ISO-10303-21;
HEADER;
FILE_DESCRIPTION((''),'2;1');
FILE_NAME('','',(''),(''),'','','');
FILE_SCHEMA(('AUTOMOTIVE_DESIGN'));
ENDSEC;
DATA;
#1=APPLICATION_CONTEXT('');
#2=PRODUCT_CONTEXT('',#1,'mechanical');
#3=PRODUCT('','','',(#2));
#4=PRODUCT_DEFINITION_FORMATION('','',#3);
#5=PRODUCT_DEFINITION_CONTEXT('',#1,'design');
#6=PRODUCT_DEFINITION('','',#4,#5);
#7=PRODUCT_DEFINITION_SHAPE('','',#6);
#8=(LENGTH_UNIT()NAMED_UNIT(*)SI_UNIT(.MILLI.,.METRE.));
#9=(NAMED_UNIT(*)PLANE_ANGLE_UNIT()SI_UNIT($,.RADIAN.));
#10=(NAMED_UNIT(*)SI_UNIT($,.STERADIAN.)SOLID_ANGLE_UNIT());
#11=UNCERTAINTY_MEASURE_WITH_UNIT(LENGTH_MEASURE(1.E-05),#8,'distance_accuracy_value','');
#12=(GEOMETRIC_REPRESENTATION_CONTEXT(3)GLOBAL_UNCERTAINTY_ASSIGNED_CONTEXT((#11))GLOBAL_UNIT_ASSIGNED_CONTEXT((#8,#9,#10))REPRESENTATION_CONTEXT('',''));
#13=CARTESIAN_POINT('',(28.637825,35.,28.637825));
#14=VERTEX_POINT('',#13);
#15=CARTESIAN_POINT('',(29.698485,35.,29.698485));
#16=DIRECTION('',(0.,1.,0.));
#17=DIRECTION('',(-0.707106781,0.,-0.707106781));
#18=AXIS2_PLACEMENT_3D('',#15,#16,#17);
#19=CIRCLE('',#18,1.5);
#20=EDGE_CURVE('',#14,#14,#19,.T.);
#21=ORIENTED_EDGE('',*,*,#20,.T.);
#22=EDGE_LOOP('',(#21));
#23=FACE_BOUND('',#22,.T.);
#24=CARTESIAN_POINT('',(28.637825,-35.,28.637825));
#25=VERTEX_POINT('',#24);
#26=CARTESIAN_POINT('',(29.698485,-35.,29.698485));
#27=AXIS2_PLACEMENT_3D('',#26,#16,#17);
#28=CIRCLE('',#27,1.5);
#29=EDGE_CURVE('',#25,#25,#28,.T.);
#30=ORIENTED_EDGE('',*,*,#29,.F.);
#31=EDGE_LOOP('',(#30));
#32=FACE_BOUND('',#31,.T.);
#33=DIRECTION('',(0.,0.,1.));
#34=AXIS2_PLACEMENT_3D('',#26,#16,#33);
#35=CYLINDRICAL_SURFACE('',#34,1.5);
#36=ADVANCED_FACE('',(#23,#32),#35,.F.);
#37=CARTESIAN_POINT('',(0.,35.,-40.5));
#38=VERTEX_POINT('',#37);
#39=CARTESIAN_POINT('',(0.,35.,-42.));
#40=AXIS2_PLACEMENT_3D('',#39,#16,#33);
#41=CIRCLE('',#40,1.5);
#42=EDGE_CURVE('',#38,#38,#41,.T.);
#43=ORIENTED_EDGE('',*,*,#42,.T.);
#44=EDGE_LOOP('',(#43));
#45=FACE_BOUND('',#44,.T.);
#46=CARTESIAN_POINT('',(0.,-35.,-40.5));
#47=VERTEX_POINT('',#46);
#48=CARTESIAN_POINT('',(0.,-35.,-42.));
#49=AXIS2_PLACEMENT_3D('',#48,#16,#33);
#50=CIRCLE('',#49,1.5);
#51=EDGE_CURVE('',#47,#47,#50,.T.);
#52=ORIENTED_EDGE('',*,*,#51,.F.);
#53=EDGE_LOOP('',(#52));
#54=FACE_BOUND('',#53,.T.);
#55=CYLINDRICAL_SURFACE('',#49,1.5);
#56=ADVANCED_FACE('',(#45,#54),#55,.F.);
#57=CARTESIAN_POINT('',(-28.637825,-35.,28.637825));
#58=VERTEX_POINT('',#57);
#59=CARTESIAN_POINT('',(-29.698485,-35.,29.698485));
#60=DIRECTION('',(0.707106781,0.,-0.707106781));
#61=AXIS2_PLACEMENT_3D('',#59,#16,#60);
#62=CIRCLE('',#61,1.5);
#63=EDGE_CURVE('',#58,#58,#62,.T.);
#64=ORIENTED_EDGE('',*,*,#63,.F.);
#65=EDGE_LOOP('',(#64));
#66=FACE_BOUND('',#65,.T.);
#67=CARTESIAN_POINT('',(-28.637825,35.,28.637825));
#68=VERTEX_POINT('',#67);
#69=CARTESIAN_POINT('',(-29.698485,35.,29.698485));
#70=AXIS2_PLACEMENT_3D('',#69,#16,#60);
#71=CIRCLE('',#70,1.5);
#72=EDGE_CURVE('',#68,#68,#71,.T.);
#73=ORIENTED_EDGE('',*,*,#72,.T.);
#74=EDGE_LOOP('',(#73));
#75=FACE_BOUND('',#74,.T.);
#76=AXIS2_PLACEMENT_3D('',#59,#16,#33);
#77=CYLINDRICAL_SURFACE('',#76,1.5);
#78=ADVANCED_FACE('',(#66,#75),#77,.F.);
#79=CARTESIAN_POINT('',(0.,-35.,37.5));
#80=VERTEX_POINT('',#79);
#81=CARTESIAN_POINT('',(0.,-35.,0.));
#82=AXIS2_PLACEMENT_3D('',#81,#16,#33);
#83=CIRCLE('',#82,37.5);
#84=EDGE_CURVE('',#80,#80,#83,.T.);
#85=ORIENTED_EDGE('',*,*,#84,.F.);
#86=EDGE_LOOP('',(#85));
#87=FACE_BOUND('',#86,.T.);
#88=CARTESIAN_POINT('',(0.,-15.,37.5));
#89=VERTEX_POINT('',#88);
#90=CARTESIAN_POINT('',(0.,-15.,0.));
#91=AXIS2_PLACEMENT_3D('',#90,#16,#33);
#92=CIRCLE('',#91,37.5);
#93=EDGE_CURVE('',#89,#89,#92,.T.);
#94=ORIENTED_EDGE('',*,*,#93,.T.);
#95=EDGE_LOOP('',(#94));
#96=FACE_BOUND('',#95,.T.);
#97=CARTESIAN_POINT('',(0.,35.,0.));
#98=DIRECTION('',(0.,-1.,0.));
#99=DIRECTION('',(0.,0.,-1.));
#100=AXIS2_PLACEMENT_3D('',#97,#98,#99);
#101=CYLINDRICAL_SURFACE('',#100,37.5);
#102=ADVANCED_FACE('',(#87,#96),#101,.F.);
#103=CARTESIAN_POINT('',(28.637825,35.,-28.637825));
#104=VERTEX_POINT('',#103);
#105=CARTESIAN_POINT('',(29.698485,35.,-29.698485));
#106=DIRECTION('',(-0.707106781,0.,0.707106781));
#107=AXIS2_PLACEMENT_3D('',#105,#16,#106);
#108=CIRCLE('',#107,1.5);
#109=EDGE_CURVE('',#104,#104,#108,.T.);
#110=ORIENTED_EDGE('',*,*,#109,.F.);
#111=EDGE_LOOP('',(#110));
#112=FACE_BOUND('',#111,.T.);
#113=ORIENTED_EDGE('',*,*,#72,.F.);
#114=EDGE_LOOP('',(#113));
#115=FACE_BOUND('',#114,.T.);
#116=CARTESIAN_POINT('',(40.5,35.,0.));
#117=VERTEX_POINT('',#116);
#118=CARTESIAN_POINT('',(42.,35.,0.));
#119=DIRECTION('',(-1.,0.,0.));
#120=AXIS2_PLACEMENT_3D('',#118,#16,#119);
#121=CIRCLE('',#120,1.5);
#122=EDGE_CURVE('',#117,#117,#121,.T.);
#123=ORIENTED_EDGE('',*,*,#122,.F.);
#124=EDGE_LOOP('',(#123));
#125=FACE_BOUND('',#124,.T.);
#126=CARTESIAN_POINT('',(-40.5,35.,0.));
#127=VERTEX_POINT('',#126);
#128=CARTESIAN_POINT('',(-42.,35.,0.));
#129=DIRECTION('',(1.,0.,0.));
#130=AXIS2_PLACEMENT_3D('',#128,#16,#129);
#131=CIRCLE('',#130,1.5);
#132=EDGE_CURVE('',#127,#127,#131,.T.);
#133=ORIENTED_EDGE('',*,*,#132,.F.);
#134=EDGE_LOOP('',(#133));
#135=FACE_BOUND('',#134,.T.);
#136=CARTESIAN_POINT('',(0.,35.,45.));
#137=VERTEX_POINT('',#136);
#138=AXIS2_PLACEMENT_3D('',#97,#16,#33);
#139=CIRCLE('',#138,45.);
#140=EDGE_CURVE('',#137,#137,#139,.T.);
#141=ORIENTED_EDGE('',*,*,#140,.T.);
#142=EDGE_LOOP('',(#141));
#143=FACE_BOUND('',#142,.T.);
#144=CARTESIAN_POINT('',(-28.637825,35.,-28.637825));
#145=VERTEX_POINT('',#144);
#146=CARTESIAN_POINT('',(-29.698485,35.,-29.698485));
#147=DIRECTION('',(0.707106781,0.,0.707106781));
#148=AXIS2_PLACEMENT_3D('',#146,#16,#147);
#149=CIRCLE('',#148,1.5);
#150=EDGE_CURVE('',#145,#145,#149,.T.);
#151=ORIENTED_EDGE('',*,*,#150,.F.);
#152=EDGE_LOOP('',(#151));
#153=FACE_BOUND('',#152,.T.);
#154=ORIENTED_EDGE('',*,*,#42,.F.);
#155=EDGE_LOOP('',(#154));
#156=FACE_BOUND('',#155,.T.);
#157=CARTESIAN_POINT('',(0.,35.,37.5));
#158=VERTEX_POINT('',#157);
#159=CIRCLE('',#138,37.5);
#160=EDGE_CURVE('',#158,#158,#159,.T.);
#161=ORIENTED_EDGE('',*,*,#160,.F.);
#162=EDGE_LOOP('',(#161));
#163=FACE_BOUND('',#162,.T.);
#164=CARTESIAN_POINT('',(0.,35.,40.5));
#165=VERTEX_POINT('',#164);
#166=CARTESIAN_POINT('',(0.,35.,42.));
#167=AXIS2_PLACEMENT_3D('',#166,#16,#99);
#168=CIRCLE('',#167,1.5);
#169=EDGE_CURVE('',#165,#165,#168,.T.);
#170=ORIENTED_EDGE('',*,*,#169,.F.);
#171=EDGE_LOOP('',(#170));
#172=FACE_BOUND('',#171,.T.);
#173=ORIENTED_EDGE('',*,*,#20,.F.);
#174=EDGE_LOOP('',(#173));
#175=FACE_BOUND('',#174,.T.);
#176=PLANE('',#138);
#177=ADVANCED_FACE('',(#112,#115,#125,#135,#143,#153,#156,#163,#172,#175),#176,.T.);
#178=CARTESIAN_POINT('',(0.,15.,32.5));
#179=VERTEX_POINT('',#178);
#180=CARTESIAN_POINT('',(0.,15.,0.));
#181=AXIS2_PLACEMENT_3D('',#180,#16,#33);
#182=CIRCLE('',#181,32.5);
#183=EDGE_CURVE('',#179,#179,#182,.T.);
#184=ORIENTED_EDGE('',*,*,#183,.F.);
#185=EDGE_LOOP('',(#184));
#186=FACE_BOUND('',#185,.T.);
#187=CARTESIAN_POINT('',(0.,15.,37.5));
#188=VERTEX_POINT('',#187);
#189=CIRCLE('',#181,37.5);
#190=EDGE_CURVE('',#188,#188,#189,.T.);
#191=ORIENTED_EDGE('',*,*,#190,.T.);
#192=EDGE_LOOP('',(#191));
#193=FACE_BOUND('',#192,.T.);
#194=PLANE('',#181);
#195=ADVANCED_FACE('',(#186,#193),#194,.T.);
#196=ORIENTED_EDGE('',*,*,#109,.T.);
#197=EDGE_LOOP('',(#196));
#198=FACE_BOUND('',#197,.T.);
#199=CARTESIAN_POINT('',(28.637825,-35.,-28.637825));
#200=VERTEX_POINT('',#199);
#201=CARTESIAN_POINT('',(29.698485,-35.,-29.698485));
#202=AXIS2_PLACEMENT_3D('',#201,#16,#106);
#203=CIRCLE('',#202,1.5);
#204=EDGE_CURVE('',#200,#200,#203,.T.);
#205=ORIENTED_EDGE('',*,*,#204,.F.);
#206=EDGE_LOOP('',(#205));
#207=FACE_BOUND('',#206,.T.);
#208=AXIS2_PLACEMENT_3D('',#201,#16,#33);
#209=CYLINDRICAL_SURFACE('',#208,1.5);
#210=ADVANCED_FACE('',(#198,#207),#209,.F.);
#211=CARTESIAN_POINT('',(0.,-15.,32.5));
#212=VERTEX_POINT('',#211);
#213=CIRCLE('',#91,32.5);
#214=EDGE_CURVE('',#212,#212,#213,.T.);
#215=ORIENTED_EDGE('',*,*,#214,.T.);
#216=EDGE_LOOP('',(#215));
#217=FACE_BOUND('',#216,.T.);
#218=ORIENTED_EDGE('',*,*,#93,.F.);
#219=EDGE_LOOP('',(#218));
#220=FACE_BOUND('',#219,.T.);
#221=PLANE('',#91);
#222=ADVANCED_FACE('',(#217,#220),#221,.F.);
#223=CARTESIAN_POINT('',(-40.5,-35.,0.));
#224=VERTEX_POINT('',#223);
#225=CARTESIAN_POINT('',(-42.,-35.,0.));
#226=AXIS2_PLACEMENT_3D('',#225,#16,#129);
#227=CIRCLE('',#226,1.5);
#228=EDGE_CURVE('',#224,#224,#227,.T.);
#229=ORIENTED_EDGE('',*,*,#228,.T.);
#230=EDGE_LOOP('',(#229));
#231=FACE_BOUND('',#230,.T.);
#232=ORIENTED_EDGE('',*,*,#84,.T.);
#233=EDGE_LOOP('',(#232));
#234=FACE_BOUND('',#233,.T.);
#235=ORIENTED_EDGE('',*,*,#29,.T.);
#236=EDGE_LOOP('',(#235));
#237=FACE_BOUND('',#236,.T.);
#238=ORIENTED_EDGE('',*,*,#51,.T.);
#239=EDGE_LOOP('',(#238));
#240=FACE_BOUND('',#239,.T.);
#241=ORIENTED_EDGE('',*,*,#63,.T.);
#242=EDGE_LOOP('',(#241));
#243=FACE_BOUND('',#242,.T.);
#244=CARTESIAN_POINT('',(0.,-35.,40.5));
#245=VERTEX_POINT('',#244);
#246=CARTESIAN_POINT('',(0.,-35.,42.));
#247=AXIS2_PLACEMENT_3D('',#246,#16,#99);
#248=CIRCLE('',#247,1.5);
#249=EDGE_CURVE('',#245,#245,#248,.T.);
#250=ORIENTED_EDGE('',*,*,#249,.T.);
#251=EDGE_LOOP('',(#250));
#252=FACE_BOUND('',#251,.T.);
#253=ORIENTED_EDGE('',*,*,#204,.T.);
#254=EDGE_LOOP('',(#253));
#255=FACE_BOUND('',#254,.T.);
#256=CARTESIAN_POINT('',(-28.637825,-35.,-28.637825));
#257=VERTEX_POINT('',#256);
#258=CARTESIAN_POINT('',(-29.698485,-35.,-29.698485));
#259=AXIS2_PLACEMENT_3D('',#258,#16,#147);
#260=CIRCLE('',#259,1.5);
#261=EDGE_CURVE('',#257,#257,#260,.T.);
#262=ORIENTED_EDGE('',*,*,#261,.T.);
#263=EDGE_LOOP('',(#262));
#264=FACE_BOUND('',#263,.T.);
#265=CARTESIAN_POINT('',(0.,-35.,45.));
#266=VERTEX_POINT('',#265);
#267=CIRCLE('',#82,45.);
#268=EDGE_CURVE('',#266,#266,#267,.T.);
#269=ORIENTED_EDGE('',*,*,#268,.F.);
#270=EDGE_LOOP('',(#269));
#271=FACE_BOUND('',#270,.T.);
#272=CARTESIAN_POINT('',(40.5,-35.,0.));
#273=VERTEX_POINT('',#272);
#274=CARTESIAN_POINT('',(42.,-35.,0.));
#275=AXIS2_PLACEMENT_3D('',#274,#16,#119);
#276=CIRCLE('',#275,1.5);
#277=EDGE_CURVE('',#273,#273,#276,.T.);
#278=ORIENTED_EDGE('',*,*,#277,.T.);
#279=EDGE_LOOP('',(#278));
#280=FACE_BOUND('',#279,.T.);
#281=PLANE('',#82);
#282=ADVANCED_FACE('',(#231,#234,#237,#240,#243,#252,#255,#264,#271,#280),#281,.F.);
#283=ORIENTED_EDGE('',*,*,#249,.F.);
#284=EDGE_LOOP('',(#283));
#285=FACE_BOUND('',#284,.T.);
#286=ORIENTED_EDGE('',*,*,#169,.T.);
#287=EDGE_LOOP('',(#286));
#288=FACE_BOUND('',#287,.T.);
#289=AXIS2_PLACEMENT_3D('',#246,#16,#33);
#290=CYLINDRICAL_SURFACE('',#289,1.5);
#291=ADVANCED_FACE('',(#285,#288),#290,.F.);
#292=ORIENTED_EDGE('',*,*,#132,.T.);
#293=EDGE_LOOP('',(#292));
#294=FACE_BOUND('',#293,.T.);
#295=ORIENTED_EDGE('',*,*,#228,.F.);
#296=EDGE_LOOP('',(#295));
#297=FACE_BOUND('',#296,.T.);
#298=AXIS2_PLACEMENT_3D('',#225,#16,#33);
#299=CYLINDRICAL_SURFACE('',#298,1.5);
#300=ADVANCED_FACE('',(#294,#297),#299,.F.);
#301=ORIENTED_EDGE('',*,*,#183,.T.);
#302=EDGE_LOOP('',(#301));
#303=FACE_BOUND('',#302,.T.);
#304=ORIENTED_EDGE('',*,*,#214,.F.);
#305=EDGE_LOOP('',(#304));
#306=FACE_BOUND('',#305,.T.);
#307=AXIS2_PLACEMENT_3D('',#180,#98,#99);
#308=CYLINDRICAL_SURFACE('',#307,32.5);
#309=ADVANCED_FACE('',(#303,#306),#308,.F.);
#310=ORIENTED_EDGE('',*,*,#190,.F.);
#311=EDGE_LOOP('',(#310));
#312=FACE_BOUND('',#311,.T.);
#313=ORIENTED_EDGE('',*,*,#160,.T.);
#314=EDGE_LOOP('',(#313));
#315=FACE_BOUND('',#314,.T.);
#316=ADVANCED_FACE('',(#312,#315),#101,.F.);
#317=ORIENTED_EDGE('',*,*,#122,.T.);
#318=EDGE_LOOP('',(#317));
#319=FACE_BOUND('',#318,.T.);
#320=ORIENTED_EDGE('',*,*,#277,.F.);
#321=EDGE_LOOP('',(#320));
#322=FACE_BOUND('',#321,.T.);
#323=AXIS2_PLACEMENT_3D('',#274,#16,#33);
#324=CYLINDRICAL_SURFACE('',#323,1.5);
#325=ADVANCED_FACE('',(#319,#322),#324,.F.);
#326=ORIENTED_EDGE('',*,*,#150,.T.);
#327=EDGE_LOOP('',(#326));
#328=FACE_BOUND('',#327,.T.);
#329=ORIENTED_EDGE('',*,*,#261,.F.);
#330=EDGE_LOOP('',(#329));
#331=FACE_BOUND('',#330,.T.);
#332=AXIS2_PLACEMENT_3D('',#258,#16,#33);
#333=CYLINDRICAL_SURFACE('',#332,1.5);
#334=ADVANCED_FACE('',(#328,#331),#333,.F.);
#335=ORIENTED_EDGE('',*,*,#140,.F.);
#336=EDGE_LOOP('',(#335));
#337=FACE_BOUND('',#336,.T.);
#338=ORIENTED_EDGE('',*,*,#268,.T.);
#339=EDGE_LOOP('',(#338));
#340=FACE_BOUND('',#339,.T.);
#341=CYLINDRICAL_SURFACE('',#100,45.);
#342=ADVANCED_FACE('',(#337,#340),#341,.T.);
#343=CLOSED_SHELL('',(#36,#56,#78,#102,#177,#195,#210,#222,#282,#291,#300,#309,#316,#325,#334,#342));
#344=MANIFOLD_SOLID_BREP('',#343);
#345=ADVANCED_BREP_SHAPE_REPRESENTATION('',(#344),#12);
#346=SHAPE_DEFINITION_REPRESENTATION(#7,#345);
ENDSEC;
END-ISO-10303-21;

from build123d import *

# Parameters (mm, degrees)
SKETCH1_R           = 45
SKETCH1_R_2         = 37.5
BOSS_EXTRUDE1_DEPTH = 35
SKETCH2_R           = 42.5
SKETCH2_R_2         = 32.5
EXTRUDE_THIN1_DEPTH = 15
SKETCH3_R           = 1.5
CUT_EXTRUDE1_DEPTH  = 95.604439642
CIRPATTERN1_COUNT   = 8


with BuildPart() as part:
    # Sketch1 → Boss-Extrude1 (new, symmetric)
    with BuildSketch(Plane(origin=(0, 0, 0), x_dir=(1, 0, 0), z_dir=(0, 1, 0))):
        with Locations(Location((0, 0, 0), (0, 0, 270))):
            Circle(SKETCH1_R)
        with Locations(Location((0, 0, 0), (0, 0, 270))):
            Circle(SKETCH1_R_2, mode=Mode.SUBTRACT)
    extrude(amount=BOSS_EXTRUDE1_DEPTH, both=True)

    # Sketch2 → Extrude-Thin1 (add, symmetric)
    with BuildSketch(Plane(origin=(0, 0, 0), x_dir=(1, 0, 0), z_dir=(0, 1, 0))):
        Circle(SKETCH2_R)
        Circle(SKETCH2_R_2, mode=Mode.SUBTRACT)
    extrude(amount=EXTRUDE_THIN1_DEPTH, both=True)

    # Sketch3 → Cut-Extrude1 (cut, through all)
    with BuildSketch(Plane(origin=(0, 35, 0), x_dir=(1, 0, 0), z_dir=(0, 1, 0))):
        with Locations(Location((0, 42, 0), (0, 0, 270))):
            Circle(SKETCH3_R)
    cut_extrude1 = extrude(amount=-CUT_EXTRUDE1_DEPTH, mode=Mode.SUBTRACT)

    # CirPattern1: Cut-Extrude1 ×8 about axis
    cirpattern1_axis = Axis((0, 0, 0), (0, 1, 0))
    for i in range(1, CIRPATTERN1_COUNT):
        add(cut_extrude1.rotate(cirpattern1_axis, i * 360 / CIRPATTERN1_COUNT), mode=Mode.SUBTRACT)


solid = part.part
